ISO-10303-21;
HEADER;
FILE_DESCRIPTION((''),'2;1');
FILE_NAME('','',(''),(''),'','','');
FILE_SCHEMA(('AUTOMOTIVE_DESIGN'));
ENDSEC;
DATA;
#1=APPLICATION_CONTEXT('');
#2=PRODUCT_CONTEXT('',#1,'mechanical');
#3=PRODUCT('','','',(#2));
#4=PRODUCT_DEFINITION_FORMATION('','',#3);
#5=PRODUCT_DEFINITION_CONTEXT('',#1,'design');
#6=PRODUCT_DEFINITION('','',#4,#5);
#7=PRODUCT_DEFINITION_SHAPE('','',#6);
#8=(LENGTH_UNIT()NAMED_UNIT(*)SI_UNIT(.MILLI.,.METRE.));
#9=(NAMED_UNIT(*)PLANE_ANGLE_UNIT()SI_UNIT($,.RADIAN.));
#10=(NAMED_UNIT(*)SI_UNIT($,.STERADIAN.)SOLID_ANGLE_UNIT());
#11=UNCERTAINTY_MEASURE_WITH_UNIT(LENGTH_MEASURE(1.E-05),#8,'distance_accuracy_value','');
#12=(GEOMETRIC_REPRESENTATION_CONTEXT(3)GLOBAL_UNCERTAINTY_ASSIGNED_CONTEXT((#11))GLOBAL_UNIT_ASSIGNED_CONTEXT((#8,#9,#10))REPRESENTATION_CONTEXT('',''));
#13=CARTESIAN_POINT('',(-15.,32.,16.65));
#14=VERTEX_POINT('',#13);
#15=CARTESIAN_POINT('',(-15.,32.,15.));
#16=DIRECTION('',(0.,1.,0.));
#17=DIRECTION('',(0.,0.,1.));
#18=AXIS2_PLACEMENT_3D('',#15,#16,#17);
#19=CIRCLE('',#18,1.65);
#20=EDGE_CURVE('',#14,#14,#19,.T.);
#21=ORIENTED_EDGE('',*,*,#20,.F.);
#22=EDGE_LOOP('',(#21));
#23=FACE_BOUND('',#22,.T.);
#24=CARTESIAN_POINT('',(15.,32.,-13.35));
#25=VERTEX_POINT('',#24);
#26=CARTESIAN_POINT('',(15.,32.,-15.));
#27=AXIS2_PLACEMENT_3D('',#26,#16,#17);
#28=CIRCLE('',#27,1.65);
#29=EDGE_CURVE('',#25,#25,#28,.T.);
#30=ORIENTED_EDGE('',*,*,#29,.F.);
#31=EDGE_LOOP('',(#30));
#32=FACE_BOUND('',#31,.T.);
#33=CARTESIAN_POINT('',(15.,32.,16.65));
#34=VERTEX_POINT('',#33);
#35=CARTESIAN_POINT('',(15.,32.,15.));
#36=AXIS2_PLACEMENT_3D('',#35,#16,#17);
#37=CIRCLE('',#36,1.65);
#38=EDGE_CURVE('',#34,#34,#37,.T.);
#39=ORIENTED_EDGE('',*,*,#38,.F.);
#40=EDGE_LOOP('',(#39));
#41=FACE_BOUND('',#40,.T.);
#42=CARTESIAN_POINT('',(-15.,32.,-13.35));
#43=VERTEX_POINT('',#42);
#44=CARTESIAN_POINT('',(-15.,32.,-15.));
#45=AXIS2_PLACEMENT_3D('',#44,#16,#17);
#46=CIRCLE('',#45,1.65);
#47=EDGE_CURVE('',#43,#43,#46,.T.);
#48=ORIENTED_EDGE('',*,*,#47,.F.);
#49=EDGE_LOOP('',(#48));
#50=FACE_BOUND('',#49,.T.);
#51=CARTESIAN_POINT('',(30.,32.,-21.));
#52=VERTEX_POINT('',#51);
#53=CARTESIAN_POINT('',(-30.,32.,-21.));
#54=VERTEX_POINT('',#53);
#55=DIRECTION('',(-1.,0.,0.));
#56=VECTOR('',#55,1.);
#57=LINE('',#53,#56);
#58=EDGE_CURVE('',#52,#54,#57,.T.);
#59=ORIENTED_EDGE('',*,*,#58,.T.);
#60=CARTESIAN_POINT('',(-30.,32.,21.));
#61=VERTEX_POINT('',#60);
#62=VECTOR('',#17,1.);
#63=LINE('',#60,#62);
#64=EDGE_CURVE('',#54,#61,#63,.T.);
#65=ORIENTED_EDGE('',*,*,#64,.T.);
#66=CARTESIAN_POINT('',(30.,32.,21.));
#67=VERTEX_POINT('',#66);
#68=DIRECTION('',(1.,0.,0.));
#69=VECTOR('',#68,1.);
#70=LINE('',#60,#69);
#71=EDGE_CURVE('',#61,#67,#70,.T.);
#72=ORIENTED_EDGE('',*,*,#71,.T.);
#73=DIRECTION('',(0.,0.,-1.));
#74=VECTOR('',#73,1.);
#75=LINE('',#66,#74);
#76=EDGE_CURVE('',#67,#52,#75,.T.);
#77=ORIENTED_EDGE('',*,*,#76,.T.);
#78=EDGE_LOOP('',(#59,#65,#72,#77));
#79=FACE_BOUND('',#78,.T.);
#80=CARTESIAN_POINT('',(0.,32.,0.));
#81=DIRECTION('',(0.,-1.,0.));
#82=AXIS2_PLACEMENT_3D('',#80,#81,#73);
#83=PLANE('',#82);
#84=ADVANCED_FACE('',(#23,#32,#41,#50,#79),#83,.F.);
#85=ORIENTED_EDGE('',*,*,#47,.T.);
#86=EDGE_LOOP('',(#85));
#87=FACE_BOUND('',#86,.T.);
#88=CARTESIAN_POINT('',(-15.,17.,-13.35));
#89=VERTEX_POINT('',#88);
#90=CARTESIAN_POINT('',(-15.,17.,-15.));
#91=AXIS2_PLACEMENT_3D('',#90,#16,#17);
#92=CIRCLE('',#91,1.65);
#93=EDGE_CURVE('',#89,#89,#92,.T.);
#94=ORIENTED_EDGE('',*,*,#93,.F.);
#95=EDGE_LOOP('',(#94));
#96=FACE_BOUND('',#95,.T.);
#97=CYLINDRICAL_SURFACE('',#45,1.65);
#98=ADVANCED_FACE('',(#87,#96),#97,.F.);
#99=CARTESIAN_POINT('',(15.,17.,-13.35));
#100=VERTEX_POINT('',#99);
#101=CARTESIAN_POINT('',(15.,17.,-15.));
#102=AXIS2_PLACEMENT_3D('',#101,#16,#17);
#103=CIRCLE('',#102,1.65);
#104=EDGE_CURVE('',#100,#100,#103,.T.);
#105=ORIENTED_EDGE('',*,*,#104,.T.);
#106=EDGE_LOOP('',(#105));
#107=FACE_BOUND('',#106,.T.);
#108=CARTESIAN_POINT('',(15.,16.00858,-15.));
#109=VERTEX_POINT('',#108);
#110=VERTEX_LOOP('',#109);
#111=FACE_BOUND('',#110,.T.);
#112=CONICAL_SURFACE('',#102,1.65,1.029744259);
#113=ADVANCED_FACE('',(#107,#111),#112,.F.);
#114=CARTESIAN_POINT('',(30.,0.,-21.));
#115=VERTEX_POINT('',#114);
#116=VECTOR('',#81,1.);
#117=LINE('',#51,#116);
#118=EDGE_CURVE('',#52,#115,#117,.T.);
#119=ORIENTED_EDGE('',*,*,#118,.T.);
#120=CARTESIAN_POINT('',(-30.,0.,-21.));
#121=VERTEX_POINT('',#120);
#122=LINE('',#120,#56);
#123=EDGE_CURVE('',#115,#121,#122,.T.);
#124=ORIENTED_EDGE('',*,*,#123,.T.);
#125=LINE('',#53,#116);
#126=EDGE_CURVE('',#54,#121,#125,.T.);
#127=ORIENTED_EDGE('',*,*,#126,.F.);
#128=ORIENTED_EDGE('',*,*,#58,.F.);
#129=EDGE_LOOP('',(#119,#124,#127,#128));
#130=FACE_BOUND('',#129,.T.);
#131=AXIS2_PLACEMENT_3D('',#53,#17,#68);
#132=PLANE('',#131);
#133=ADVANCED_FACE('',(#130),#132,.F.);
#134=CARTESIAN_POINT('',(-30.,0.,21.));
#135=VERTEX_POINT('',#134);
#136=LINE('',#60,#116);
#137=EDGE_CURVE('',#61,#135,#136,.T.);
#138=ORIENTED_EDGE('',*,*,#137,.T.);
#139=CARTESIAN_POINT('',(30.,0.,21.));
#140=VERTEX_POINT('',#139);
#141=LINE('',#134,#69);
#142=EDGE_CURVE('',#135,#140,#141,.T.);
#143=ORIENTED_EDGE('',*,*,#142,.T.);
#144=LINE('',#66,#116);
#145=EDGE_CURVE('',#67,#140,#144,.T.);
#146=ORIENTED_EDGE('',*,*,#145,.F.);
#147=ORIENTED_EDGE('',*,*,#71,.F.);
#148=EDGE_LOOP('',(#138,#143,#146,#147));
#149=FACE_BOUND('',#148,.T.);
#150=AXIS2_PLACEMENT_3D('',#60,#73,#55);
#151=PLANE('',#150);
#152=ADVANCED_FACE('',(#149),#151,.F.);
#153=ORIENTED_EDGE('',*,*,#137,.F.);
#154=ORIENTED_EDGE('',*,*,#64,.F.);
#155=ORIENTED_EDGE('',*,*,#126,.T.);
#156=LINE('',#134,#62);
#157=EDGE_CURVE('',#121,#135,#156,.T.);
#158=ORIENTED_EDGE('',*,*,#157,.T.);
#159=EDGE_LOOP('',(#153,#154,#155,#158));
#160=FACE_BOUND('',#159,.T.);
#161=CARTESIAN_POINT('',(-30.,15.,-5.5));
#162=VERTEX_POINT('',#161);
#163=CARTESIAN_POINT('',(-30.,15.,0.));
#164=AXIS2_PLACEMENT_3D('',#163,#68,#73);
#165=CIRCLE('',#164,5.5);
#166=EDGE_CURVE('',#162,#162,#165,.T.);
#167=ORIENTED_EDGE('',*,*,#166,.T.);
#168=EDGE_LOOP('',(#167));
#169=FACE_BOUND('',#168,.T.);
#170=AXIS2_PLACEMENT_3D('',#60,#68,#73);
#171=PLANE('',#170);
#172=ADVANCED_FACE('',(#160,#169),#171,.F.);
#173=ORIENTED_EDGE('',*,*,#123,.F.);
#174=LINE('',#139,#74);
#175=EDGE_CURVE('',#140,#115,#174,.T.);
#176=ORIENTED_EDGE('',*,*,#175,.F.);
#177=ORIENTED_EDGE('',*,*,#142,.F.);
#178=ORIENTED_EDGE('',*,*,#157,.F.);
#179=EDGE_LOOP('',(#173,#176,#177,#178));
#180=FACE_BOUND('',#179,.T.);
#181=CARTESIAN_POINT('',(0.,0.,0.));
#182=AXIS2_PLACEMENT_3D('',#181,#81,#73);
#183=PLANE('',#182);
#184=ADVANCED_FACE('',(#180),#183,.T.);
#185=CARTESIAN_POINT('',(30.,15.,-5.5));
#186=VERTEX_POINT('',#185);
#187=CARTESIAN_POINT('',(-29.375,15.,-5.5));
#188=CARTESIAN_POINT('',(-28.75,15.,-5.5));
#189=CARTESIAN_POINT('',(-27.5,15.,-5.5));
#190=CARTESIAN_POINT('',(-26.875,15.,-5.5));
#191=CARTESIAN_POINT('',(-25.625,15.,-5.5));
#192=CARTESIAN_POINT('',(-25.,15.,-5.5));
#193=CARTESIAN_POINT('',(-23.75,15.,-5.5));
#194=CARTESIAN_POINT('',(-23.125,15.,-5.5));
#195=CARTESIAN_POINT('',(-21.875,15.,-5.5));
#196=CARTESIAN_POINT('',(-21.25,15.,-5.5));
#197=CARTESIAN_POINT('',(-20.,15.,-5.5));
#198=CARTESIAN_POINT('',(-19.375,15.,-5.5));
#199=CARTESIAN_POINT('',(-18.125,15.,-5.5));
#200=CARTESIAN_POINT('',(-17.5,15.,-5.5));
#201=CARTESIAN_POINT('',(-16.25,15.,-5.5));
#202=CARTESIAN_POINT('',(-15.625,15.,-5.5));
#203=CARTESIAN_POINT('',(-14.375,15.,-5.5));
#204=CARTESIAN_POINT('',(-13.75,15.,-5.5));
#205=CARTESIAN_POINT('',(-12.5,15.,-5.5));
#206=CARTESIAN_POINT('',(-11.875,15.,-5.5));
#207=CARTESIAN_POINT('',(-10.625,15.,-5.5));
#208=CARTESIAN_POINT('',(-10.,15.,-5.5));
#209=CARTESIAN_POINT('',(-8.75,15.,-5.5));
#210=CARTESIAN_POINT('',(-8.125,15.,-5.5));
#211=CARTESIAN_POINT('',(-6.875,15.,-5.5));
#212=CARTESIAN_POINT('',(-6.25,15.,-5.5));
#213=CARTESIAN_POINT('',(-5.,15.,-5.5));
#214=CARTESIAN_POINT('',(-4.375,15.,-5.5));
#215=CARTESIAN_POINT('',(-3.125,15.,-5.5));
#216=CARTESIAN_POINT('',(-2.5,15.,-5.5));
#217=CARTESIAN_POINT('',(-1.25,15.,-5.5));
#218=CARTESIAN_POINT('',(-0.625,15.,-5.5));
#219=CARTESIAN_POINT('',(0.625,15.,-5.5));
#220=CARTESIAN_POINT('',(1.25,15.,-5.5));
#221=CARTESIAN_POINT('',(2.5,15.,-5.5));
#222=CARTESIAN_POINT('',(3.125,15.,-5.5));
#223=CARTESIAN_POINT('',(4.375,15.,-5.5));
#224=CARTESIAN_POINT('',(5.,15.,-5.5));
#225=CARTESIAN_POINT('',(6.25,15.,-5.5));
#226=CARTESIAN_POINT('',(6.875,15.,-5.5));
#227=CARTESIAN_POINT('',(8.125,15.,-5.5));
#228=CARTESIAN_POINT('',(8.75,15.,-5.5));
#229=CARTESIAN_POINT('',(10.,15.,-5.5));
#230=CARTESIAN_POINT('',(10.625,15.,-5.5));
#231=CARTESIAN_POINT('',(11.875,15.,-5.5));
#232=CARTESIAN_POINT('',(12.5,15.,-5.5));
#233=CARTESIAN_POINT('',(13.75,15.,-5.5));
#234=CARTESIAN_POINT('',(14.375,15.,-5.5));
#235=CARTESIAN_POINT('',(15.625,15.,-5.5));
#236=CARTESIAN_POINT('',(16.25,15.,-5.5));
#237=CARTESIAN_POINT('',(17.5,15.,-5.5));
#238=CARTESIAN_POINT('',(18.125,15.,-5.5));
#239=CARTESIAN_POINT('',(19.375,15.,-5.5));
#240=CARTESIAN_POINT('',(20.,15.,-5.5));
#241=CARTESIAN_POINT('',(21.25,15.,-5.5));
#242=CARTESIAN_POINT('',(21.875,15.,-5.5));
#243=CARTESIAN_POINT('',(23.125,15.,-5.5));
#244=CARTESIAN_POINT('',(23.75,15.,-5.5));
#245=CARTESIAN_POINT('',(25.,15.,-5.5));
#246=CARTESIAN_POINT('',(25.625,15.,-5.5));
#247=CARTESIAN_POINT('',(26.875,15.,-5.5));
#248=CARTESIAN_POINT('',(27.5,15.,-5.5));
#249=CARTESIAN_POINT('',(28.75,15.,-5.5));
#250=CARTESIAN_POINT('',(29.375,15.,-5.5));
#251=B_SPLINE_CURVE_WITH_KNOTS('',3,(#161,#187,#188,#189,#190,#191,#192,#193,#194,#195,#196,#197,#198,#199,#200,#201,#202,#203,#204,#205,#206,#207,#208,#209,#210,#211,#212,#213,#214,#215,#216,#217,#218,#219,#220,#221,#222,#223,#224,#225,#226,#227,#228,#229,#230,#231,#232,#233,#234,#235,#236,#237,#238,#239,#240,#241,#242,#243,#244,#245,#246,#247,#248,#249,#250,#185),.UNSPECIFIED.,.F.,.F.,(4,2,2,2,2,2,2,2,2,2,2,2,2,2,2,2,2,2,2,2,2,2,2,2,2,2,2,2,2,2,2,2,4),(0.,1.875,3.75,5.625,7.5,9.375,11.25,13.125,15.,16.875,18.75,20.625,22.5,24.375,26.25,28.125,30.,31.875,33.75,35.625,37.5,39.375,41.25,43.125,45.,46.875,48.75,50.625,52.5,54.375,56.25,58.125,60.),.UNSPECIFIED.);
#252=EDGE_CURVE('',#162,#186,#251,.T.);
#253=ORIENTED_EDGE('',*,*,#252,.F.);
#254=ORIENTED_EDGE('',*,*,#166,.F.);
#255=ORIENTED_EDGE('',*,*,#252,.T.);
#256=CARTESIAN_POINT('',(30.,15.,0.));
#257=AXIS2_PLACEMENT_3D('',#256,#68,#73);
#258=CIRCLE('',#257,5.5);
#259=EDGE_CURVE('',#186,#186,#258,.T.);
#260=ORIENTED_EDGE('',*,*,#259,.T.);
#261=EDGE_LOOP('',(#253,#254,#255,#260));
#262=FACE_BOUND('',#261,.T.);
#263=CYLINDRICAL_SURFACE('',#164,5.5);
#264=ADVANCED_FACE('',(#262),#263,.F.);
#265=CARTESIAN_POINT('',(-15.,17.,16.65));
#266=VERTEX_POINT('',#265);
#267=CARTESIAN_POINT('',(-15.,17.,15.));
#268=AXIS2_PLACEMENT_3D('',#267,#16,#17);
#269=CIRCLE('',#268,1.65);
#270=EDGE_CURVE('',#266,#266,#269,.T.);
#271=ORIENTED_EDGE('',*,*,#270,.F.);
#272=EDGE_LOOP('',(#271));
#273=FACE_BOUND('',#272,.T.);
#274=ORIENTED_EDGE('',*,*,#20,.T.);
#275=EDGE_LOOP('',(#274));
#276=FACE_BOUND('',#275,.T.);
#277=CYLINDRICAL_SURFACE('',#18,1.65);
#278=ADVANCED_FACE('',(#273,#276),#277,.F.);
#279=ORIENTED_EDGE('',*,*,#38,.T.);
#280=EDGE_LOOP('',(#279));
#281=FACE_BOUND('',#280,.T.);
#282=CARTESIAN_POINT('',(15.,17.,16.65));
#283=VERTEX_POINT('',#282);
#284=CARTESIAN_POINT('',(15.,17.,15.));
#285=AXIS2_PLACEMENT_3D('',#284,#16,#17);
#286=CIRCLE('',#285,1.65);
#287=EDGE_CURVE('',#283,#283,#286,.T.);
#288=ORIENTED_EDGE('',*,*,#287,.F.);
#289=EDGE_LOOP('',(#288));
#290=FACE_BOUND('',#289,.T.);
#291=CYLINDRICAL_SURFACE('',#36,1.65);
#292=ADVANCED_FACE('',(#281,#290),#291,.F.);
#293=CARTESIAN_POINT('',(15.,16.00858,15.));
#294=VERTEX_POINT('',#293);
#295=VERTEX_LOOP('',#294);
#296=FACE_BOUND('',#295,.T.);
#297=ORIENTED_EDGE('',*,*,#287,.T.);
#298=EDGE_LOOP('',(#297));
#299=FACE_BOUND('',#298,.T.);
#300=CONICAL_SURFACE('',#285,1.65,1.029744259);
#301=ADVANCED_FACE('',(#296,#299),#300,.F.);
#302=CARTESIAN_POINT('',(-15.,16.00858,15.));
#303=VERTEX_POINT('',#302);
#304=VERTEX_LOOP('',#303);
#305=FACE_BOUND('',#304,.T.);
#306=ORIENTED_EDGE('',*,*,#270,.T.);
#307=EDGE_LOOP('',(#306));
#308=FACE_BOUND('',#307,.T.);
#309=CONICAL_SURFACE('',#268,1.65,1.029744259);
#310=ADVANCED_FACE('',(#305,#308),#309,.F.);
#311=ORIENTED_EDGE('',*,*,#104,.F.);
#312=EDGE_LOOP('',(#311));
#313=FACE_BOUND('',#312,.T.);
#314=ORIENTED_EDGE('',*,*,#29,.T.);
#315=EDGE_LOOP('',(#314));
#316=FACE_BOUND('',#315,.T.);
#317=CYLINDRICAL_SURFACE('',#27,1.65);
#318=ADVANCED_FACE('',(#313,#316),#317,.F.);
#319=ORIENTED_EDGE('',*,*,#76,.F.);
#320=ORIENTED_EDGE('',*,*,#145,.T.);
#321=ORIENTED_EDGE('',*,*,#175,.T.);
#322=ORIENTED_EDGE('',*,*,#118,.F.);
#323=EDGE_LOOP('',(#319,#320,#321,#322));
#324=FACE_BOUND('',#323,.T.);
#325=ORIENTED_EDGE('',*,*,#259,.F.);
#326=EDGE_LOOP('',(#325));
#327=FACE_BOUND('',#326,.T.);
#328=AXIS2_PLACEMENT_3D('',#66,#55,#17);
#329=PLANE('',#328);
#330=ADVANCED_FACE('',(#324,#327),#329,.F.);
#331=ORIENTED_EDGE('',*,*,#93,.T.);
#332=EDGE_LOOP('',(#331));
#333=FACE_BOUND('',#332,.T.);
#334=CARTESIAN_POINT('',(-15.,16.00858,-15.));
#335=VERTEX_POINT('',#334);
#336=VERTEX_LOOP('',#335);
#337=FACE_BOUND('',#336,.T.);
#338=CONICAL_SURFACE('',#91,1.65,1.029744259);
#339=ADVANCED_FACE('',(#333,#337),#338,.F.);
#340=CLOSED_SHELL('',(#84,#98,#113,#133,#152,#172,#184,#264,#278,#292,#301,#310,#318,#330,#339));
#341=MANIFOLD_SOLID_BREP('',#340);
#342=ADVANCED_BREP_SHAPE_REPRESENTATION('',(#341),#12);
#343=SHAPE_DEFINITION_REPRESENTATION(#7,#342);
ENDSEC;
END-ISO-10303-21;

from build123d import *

# Parameters (mm, degrees)
SKETCH1_W                 = 60
SKETCH1_H                 = 42
BOSS_EXTRUDE1_DEPTH       = 32
M4X0_7_TAPPED_HOLE1_D     = 3.3
M4X0_7_TAPPED_HOLE1_DEPTH = 15
M4X0_7_TAPPED_HOLE1_TIP   = 0.991420021
SKETCH4_R                 = 5.5
CUT_EXTRUDE1_DEPTH        = 72.168813395


with BuildPart() as part:
    # Sketch1 → Boss-Extrude1 (new body)
    with BuildSketch(Plane(origin=(0, 0, 0), x_dir=(1, 0, 0), z_dir=(0, 1, 0))):
        Rectangle(SKETCH1_W, SKETCH1_H)
    extrude(amount=BOSS_EXTRUDE1_DEPTH)

    # M4x0.7 Tapped Hole1
    with Locations(Plane(origin=(0, 32, 0), x_dir=(1, 0, 0), z_dir=(0, 1, 0))):
        with Locations((15, 15), (-15, 15), (-15, -15), (15, -15)):
            Hole(M4X0_7_TAPPED_HOLE1_D / 2, depth=M4X0_7_TAPPED_HOLE1_DEPTH)
            with Locations((0, 0, -(M4X0_7_TAPPED_HOLE1_DEPTH + M4X0_7_TAPPED_HOLE1_TIP / 2))):  # 118° drill point
                Cone(0, M4X0_7_TAPPED_HOLE1_D / 2, M4X0_7_TAPPED_HOLE1_TIP, mode=Mode.SUBTRACT)

    # Sketch4 → Cut-Extrude1 (cut, through all)
    with BuildSketch(Plane(origin=(30, 0, 0), x_dir=(0, 0, -1), z_dir=(1, 0, 0))):
        with Locations((0, 15)):
            Circle(SKETCH4_R)
    extrude(amount=-CUT_EXTRUDE1_DEPTH, mode=Mode.SUBTRACT)


solid = part.part
